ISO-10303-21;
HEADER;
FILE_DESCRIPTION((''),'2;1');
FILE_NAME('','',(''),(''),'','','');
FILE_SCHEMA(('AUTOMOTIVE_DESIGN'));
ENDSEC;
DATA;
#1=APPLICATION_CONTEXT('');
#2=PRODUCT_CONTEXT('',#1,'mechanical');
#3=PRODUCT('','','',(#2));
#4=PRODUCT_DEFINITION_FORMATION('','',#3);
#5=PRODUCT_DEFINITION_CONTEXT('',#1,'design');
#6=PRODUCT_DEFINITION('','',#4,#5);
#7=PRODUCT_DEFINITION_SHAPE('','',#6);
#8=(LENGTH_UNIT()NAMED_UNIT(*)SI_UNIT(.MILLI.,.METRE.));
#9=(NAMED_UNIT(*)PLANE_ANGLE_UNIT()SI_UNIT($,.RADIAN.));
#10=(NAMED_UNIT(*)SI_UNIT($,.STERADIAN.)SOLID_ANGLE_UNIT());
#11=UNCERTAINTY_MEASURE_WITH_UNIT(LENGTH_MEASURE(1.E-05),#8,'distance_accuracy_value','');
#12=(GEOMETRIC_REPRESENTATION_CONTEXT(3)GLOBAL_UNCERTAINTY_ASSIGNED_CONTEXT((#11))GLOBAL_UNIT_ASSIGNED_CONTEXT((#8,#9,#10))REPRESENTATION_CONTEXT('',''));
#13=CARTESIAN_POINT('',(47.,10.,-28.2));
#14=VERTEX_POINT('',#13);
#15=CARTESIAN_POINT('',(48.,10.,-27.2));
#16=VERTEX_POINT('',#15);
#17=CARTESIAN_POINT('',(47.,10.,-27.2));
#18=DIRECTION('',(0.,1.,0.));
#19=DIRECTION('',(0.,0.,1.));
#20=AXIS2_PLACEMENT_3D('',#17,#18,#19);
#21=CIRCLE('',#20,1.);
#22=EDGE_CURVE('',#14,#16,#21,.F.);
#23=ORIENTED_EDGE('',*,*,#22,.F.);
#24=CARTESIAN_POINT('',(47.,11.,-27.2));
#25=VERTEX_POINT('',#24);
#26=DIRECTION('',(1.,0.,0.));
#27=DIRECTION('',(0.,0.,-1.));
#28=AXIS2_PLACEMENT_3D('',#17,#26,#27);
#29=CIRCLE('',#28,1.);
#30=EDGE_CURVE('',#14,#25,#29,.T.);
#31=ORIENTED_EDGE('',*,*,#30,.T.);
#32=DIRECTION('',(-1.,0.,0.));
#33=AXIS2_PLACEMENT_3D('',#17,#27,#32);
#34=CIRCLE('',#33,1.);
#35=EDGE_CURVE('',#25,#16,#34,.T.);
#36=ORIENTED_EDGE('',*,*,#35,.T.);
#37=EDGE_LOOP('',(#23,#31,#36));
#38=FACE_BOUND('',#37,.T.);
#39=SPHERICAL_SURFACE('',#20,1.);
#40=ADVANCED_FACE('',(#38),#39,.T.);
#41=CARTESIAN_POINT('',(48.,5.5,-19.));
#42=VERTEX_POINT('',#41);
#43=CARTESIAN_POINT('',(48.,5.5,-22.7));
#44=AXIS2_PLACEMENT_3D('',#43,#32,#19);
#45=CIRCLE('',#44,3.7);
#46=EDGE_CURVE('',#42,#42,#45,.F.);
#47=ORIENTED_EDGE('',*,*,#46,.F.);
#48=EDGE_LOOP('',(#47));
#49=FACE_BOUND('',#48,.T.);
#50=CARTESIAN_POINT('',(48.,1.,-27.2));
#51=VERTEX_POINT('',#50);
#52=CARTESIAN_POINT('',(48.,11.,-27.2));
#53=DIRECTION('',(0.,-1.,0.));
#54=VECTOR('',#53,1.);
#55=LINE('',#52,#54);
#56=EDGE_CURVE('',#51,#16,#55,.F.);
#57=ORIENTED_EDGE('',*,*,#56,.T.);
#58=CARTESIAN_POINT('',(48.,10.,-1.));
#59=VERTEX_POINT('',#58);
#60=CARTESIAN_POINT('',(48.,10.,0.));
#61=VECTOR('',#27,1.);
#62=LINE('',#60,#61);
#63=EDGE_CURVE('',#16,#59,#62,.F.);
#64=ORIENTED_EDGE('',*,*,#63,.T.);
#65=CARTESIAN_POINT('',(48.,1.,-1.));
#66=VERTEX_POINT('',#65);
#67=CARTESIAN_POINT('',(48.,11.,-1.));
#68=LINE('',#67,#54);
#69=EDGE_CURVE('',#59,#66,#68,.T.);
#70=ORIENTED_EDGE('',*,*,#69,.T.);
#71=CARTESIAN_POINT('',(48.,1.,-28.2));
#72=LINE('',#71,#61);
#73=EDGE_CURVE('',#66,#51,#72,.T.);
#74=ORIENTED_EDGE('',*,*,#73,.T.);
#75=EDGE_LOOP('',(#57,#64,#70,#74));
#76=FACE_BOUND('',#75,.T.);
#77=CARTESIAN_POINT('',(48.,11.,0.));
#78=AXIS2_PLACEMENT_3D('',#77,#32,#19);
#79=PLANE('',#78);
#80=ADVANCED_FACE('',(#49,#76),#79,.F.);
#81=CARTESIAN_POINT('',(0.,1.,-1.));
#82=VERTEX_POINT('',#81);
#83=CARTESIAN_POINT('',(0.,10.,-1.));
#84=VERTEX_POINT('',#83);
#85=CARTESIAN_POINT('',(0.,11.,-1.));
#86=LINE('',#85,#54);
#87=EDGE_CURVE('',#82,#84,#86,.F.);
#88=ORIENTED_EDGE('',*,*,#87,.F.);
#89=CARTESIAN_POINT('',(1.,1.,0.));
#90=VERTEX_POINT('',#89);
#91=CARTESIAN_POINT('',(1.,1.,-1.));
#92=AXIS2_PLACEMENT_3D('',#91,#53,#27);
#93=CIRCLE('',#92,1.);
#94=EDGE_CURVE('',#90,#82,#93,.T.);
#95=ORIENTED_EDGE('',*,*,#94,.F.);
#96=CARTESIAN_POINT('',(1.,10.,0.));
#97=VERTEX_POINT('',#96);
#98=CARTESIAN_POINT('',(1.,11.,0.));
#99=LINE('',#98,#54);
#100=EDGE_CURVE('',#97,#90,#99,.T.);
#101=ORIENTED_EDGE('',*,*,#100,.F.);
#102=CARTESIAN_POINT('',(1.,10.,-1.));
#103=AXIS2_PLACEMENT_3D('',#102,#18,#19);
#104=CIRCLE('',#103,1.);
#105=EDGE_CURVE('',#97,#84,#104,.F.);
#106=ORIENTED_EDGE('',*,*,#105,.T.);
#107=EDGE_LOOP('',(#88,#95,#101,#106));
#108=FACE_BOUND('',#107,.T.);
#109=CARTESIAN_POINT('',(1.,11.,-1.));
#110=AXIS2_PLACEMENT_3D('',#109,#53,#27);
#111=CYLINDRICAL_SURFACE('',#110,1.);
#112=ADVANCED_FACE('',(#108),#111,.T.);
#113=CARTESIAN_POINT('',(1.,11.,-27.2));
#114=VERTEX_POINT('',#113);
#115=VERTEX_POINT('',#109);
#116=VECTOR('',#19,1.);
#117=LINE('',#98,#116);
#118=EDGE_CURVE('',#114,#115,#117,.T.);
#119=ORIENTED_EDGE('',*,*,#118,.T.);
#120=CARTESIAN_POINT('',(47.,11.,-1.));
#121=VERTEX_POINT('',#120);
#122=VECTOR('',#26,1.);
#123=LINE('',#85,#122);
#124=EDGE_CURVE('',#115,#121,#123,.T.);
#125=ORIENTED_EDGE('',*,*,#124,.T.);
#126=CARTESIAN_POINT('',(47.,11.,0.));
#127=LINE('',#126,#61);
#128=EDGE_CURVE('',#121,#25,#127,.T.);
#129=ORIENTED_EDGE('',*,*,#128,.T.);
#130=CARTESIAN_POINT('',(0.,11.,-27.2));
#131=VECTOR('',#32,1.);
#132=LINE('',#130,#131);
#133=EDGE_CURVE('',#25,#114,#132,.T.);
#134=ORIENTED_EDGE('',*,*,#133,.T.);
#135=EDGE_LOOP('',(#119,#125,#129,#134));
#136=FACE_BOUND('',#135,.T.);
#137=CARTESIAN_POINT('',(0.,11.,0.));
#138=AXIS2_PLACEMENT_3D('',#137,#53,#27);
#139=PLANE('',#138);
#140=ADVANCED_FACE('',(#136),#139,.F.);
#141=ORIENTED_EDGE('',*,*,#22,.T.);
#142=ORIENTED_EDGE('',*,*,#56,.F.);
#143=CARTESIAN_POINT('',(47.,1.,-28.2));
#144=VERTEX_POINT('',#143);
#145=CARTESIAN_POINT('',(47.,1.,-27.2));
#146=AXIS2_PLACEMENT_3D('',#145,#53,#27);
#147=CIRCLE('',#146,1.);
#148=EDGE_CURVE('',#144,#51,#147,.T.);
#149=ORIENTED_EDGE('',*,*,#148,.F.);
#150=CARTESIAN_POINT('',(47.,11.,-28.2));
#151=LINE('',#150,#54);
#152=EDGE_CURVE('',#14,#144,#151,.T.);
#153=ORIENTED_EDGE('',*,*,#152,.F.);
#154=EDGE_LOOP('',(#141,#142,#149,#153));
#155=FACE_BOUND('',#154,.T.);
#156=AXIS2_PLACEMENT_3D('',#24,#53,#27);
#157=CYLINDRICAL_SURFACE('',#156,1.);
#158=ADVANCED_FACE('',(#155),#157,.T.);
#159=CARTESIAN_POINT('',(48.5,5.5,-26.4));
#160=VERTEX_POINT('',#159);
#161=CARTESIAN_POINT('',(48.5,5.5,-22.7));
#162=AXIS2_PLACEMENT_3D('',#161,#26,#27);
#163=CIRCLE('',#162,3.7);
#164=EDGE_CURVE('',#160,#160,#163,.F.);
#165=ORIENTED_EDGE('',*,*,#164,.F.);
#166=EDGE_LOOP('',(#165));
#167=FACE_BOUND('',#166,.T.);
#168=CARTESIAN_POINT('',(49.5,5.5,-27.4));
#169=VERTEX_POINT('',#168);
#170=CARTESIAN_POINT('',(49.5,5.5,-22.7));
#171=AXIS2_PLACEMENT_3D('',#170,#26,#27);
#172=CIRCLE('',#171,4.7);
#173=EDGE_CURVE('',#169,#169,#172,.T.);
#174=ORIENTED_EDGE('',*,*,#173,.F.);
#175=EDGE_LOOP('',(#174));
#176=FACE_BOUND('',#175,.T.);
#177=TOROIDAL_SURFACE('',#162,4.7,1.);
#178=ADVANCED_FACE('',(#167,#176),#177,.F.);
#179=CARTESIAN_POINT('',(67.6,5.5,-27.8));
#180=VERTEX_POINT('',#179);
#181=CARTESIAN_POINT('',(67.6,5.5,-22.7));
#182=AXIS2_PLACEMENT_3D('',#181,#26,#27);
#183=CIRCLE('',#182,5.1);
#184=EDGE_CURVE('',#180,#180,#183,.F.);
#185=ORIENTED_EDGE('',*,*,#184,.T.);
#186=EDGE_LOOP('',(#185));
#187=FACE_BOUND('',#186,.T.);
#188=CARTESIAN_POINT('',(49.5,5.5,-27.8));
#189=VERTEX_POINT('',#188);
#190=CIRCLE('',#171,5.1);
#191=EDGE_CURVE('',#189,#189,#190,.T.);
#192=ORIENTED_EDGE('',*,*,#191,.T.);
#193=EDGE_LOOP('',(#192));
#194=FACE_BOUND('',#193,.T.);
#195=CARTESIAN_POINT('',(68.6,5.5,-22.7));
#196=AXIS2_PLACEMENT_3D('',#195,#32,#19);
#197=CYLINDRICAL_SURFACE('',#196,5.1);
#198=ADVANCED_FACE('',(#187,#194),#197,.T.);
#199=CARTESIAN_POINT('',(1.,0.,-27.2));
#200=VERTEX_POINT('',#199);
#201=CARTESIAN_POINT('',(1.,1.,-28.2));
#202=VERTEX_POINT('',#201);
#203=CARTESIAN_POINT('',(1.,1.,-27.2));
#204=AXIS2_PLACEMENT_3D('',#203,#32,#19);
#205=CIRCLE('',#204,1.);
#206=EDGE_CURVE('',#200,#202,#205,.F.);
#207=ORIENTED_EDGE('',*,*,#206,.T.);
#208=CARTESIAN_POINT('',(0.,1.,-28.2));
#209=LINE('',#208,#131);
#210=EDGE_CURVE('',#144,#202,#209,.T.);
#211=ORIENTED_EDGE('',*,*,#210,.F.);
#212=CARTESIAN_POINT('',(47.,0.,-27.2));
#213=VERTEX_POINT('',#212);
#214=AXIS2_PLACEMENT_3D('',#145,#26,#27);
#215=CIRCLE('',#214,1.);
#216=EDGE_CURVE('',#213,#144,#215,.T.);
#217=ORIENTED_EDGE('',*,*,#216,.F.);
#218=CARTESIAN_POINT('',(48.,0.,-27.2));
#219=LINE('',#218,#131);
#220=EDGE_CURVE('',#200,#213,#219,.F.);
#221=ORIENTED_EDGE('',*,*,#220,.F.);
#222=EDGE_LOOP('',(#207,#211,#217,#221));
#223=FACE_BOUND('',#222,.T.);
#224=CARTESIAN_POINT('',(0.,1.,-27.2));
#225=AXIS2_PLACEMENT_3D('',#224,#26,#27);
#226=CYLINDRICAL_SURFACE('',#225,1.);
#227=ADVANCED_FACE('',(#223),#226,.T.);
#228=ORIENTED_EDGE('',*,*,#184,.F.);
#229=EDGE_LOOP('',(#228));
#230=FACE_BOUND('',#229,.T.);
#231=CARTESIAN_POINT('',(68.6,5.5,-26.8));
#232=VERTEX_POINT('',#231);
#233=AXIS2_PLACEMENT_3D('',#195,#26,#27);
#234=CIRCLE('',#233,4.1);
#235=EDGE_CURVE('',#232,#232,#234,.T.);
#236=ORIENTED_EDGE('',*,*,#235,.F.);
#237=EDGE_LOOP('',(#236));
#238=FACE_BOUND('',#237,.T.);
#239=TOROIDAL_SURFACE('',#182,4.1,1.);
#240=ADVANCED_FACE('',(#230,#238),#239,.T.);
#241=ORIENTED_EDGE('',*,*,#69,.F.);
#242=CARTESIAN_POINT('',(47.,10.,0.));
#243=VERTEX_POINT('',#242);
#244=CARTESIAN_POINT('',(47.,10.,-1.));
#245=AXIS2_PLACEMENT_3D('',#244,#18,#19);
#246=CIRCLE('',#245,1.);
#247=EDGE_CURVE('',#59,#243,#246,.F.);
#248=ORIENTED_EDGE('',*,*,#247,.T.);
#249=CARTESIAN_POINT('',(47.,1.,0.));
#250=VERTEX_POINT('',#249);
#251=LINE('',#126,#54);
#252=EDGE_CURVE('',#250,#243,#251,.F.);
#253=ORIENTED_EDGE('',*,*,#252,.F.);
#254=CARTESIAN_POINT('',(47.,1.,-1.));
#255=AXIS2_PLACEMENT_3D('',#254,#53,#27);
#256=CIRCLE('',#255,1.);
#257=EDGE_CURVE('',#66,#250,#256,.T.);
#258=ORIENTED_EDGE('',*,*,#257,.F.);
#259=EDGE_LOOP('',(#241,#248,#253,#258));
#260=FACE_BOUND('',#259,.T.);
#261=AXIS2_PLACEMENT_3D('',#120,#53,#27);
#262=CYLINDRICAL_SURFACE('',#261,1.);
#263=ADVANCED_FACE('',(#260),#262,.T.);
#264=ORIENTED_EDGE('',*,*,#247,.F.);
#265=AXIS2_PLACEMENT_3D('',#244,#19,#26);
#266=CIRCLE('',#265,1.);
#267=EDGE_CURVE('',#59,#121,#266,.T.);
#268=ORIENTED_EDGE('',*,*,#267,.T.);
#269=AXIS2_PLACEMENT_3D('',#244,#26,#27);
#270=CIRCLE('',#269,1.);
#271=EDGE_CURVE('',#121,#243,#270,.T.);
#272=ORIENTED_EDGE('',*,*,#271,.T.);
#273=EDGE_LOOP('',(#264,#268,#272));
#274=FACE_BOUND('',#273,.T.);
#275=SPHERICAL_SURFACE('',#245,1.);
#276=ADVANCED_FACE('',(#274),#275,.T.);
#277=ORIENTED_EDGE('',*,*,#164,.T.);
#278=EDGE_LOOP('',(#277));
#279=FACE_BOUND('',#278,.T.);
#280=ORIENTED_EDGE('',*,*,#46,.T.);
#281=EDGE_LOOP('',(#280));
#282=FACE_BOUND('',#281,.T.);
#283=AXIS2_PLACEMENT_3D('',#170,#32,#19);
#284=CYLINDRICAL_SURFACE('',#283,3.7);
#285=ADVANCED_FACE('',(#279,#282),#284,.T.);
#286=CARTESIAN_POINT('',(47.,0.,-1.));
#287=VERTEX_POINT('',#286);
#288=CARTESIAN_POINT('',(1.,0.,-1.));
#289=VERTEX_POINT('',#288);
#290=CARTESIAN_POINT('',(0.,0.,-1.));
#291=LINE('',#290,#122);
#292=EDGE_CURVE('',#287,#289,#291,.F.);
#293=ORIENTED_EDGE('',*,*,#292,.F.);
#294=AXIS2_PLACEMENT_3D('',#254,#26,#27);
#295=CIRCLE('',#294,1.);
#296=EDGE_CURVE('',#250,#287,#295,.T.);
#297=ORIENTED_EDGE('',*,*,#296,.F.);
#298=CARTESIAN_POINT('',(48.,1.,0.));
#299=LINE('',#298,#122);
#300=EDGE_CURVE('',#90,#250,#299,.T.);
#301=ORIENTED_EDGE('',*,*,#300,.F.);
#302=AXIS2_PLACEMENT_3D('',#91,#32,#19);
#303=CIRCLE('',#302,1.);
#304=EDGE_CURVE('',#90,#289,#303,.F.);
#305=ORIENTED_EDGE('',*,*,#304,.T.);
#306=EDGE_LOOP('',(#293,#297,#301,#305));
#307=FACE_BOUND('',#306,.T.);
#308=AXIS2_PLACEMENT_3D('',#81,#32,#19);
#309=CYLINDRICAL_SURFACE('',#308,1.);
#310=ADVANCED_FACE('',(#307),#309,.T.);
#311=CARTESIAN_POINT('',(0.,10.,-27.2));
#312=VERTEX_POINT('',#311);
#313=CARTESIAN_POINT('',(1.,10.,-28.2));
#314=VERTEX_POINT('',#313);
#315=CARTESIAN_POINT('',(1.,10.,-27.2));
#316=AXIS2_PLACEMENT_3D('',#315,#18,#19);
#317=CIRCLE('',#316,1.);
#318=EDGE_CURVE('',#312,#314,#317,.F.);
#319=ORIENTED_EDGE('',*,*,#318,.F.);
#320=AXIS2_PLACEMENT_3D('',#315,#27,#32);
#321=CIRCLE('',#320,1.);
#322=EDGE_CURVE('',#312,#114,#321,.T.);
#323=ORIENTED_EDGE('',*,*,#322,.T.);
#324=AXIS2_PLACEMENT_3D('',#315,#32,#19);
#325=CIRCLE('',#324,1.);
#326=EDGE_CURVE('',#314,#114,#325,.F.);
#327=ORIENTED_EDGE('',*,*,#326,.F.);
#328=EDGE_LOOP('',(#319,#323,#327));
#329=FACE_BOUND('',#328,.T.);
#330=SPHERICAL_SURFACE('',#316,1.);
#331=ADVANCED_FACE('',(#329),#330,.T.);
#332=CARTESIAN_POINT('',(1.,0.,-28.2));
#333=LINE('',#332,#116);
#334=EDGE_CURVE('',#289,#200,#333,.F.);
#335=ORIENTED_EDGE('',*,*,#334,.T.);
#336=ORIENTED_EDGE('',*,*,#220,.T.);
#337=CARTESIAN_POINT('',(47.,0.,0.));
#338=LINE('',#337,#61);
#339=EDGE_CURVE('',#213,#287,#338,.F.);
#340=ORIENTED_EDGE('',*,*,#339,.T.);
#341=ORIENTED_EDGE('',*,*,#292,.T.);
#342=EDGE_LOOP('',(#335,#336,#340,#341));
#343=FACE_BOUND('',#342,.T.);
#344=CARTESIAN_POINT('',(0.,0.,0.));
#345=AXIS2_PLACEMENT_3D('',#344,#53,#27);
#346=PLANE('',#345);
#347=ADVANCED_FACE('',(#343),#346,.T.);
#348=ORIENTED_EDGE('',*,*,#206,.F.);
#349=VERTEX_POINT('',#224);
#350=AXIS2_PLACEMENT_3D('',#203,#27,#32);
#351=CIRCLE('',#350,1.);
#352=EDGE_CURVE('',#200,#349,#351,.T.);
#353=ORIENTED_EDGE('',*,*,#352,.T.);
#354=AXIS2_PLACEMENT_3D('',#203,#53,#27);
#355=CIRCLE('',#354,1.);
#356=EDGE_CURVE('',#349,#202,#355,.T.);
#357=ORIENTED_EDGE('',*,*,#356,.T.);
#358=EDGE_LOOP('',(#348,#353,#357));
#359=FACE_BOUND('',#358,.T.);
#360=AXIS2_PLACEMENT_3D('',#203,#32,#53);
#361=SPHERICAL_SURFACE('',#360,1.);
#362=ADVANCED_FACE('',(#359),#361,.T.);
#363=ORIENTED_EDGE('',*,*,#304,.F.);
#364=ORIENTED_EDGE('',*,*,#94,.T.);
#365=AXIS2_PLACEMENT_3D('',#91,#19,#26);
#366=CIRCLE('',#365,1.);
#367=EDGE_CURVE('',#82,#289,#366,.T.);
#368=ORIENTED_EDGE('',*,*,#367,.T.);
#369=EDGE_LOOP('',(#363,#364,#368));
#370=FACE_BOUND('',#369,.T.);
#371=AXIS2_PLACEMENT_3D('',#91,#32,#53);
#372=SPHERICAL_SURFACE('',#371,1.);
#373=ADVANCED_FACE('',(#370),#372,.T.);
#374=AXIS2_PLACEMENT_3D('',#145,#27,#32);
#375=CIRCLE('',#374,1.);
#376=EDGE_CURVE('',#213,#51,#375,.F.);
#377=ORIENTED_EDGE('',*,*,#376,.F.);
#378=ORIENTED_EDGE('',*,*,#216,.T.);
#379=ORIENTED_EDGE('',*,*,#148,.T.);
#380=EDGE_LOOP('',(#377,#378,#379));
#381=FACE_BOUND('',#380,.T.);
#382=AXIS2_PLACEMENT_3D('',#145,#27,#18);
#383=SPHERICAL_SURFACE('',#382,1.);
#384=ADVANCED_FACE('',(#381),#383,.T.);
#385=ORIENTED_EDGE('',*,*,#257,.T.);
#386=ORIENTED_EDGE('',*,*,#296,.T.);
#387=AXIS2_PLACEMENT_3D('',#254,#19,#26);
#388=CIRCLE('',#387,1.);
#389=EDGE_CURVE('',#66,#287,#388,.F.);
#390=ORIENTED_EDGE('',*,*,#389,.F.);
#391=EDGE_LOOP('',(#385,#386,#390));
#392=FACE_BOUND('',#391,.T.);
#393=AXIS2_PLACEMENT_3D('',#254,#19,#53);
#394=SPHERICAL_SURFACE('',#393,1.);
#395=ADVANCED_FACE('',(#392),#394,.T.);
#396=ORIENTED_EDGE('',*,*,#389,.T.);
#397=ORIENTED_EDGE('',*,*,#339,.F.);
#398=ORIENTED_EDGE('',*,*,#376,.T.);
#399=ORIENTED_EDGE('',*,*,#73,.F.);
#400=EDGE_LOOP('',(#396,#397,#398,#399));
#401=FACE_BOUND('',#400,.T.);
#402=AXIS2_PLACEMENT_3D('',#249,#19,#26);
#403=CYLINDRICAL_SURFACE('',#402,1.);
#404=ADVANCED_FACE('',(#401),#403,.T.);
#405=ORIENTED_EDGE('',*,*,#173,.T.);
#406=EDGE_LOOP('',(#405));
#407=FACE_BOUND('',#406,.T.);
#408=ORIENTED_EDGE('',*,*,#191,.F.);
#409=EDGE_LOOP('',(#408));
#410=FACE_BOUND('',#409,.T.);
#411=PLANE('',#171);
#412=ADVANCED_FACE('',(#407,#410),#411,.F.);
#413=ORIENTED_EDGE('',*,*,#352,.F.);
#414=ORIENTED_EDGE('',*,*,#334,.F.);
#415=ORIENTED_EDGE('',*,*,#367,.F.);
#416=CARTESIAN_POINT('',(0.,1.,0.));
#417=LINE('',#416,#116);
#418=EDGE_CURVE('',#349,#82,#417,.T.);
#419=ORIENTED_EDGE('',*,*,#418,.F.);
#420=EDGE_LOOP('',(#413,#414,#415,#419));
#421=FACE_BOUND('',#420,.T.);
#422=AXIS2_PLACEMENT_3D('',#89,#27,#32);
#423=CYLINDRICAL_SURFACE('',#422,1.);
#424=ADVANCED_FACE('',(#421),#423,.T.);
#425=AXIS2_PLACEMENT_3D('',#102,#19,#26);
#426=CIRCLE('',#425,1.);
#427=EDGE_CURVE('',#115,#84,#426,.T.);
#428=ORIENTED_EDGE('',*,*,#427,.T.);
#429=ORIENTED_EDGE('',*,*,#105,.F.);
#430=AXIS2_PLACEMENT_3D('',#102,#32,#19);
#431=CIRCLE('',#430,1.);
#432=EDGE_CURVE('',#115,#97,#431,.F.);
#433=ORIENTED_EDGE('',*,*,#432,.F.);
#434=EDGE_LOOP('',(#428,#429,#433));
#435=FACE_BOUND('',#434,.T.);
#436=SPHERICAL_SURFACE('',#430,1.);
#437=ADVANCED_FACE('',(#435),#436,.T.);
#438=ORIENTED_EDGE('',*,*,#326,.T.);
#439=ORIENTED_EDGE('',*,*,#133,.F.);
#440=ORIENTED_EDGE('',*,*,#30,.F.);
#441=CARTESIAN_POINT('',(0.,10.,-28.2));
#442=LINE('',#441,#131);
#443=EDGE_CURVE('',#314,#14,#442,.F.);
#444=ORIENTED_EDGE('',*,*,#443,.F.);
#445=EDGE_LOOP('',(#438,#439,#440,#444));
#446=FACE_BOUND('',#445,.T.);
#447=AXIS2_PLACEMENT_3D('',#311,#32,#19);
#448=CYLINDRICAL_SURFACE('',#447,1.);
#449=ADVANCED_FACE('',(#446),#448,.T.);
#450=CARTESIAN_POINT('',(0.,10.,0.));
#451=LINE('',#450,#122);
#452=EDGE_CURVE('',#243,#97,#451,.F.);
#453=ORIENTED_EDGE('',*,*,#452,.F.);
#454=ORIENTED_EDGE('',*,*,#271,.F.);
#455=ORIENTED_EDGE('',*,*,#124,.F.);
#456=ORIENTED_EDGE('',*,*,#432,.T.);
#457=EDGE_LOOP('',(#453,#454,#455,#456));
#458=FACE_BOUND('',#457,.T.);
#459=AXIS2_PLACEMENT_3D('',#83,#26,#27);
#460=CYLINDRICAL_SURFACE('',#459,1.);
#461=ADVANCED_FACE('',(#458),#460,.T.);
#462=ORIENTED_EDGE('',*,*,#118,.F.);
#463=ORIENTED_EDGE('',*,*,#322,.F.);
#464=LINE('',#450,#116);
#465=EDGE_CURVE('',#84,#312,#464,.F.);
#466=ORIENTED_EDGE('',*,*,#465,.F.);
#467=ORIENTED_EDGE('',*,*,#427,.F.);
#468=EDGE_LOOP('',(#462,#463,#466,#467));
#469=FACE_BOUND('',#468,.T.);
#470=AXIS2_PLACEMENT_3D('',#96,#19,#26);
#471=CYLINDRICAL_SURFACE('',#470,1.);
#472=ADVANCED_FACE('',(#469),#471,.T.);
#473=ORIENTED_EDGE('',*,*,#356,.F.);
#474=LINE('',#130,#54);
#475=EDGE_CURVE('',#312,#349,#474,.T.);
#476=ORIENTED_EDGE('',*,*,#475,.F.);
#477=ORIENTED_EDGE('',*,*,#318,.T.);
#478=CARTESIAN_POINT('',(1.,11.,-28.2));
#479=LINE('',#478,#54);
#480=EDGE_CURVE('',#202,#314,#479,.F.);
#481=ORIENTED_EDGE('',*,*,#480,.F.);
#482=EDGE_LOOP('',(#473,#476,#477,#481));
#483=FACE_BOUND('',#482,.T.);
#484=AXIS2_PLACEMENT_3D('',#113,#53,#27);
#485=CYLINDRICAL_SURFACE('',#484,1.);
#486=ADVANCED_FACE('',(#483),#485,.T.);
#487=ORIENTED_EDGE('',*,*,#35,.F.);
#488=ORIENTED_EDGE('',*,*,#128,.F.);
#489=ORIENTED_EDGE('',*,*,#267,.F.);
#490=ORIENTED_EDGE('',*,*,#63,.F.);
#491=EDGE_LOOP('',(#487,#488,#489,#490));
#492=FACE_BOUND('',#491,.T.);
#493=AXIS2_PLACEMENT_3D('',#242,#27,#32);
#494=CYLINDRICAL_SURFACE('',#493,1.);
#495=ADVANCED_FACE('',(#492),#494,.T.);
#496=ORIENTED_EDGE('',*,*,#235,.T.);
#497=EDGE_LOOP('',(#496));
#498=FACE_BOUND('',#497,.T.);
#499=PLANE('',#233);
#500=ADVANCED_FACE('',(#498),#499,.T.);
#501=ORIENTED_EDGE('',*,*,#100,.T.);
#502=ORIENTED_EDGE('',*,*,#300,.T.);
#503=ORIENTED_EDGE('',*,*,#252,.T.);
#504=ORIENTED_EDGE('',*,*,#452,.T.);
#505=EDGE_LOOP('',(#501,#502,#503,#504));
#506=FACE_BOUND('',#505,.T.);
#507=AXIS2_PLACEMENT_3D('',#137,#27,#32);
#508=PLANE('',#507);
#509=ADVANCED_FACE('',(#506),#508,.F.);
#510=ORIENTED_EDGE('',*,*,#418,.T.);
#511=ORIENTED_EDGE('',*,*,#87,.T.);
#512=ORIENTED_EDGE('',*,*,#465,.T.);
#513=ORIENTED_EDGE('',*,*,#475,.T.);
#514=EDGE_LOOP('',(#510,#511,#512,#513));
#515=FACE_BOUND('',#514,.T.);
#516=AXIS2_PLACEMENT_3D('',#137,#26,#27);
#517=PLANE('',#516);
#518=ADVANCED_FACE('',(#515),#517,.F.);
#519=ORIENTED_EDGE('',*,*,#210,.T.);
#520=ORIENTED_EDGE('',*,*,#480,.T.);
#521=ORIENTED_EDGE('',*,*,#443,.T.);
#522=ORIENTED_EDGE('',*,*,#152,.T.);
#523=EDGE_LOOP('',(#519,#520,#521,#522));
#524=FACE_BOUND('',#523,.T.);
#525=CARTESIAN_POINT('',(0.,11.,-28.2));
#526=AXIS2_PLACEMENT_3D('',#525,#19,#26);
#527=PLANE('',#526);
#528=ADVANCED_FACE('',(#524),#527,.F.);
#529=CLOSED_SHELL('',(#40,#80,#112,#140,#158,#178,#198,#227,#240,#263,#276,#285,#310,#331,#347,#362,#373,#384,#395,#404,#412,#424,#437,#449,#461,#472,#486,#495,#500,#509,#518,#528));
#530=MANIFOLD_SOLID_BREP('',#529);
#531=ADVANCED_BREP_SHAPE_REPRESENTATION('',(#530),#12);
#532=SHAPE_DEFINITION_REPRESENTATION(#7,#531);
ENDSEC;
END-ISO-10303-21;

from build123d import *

# Parameters (mm, degrees)
SKETCH1_W           = 48
SKETCH1_H           = 28.2
BOSS_EXTRUDE1_DEPTH = 11
SKETCH2_R           = 3.7
BOSS_EXTRUDE2_DEPTH = 1.5
SKETCH3_R           = 5.1
BOSS_EXTRUDE3_DEPTH = 19.1
FILLET1_R           = 1
FILLET2_R           = 1
FILLET3_R           = 1


with BuildPart() as part:
    # Sketch1 → Boss-Extrude1 (new body)
    with BuildSketch(Plane(origin=(0, 0, 0), x_dir=(1, 0, 0), z_dir=(0, 1, 0))):
        with Locations((24, 14.1)):
            Rectangle(SKETCH1_W, SKETCH1_H)
    extrude(amount=BOSS_EXTRUDE1_DEPTH)

    # Sketch2 → Boss-Extrude2 (add)
    with BuildSketch(Plane(origin=(48, 0, 0), x_dir=(0, 0, -1), z_dir=(1, 0, 0))):
        with Locations((22.7, 5.5)):
            Circle(SKETCH2_R)
    extrude(amount=BOSS_EXTRUDE2_DEPTH)

    # Sketch3 → Boss-Extrude3 (add)
    with BuildSketch(Plane(origin=(49.5, 0, 0), x_dir=(0, 0, -1), z_dir=(1, 0, 0))):
        with Locations((22.7, 5.5)):
            Circle(SKETCH3_R)
    extrude(amount=BOSS_EXTRUDE3_DEPTH)

    # Fillet1
    fillet1_edges = [part.edges().sort_by_distance(p)[0] for p in [
        (48, 11, -14.1),
        (24, 11, -28.2),
        (0, 11, -14.1),
        (24, 0, -28.2),
        (48, 0, -14.1),
        (24, 0, 0),
        (0, 0, -14.1),
        (0, 5.5, -28.2),
        (48, 5.5, -28.2),
        (48, 5.5, 0),
        (0, 5.5, 0),
        (24, 11, 0),
    ]]
    fillet(fillet1_edges, radius=FILLET1_R)

    # Fillet2
    fillet2_edges = [part.edges().sort_by_distance(p)[0] for p in [
        (68.6, 5.5, -17.6),
    ]]
    fillet(fillet2_edges, radius=FILLET2_R)

    # Fillet3
    fillet3_edges = [part.edges().sort_by_distance(p)[0] for p in [
        (49.5, 5.5, -19),
    ]]
    fillet(fillet3_edges, radius=FILLET3_R)


solid = part.part
